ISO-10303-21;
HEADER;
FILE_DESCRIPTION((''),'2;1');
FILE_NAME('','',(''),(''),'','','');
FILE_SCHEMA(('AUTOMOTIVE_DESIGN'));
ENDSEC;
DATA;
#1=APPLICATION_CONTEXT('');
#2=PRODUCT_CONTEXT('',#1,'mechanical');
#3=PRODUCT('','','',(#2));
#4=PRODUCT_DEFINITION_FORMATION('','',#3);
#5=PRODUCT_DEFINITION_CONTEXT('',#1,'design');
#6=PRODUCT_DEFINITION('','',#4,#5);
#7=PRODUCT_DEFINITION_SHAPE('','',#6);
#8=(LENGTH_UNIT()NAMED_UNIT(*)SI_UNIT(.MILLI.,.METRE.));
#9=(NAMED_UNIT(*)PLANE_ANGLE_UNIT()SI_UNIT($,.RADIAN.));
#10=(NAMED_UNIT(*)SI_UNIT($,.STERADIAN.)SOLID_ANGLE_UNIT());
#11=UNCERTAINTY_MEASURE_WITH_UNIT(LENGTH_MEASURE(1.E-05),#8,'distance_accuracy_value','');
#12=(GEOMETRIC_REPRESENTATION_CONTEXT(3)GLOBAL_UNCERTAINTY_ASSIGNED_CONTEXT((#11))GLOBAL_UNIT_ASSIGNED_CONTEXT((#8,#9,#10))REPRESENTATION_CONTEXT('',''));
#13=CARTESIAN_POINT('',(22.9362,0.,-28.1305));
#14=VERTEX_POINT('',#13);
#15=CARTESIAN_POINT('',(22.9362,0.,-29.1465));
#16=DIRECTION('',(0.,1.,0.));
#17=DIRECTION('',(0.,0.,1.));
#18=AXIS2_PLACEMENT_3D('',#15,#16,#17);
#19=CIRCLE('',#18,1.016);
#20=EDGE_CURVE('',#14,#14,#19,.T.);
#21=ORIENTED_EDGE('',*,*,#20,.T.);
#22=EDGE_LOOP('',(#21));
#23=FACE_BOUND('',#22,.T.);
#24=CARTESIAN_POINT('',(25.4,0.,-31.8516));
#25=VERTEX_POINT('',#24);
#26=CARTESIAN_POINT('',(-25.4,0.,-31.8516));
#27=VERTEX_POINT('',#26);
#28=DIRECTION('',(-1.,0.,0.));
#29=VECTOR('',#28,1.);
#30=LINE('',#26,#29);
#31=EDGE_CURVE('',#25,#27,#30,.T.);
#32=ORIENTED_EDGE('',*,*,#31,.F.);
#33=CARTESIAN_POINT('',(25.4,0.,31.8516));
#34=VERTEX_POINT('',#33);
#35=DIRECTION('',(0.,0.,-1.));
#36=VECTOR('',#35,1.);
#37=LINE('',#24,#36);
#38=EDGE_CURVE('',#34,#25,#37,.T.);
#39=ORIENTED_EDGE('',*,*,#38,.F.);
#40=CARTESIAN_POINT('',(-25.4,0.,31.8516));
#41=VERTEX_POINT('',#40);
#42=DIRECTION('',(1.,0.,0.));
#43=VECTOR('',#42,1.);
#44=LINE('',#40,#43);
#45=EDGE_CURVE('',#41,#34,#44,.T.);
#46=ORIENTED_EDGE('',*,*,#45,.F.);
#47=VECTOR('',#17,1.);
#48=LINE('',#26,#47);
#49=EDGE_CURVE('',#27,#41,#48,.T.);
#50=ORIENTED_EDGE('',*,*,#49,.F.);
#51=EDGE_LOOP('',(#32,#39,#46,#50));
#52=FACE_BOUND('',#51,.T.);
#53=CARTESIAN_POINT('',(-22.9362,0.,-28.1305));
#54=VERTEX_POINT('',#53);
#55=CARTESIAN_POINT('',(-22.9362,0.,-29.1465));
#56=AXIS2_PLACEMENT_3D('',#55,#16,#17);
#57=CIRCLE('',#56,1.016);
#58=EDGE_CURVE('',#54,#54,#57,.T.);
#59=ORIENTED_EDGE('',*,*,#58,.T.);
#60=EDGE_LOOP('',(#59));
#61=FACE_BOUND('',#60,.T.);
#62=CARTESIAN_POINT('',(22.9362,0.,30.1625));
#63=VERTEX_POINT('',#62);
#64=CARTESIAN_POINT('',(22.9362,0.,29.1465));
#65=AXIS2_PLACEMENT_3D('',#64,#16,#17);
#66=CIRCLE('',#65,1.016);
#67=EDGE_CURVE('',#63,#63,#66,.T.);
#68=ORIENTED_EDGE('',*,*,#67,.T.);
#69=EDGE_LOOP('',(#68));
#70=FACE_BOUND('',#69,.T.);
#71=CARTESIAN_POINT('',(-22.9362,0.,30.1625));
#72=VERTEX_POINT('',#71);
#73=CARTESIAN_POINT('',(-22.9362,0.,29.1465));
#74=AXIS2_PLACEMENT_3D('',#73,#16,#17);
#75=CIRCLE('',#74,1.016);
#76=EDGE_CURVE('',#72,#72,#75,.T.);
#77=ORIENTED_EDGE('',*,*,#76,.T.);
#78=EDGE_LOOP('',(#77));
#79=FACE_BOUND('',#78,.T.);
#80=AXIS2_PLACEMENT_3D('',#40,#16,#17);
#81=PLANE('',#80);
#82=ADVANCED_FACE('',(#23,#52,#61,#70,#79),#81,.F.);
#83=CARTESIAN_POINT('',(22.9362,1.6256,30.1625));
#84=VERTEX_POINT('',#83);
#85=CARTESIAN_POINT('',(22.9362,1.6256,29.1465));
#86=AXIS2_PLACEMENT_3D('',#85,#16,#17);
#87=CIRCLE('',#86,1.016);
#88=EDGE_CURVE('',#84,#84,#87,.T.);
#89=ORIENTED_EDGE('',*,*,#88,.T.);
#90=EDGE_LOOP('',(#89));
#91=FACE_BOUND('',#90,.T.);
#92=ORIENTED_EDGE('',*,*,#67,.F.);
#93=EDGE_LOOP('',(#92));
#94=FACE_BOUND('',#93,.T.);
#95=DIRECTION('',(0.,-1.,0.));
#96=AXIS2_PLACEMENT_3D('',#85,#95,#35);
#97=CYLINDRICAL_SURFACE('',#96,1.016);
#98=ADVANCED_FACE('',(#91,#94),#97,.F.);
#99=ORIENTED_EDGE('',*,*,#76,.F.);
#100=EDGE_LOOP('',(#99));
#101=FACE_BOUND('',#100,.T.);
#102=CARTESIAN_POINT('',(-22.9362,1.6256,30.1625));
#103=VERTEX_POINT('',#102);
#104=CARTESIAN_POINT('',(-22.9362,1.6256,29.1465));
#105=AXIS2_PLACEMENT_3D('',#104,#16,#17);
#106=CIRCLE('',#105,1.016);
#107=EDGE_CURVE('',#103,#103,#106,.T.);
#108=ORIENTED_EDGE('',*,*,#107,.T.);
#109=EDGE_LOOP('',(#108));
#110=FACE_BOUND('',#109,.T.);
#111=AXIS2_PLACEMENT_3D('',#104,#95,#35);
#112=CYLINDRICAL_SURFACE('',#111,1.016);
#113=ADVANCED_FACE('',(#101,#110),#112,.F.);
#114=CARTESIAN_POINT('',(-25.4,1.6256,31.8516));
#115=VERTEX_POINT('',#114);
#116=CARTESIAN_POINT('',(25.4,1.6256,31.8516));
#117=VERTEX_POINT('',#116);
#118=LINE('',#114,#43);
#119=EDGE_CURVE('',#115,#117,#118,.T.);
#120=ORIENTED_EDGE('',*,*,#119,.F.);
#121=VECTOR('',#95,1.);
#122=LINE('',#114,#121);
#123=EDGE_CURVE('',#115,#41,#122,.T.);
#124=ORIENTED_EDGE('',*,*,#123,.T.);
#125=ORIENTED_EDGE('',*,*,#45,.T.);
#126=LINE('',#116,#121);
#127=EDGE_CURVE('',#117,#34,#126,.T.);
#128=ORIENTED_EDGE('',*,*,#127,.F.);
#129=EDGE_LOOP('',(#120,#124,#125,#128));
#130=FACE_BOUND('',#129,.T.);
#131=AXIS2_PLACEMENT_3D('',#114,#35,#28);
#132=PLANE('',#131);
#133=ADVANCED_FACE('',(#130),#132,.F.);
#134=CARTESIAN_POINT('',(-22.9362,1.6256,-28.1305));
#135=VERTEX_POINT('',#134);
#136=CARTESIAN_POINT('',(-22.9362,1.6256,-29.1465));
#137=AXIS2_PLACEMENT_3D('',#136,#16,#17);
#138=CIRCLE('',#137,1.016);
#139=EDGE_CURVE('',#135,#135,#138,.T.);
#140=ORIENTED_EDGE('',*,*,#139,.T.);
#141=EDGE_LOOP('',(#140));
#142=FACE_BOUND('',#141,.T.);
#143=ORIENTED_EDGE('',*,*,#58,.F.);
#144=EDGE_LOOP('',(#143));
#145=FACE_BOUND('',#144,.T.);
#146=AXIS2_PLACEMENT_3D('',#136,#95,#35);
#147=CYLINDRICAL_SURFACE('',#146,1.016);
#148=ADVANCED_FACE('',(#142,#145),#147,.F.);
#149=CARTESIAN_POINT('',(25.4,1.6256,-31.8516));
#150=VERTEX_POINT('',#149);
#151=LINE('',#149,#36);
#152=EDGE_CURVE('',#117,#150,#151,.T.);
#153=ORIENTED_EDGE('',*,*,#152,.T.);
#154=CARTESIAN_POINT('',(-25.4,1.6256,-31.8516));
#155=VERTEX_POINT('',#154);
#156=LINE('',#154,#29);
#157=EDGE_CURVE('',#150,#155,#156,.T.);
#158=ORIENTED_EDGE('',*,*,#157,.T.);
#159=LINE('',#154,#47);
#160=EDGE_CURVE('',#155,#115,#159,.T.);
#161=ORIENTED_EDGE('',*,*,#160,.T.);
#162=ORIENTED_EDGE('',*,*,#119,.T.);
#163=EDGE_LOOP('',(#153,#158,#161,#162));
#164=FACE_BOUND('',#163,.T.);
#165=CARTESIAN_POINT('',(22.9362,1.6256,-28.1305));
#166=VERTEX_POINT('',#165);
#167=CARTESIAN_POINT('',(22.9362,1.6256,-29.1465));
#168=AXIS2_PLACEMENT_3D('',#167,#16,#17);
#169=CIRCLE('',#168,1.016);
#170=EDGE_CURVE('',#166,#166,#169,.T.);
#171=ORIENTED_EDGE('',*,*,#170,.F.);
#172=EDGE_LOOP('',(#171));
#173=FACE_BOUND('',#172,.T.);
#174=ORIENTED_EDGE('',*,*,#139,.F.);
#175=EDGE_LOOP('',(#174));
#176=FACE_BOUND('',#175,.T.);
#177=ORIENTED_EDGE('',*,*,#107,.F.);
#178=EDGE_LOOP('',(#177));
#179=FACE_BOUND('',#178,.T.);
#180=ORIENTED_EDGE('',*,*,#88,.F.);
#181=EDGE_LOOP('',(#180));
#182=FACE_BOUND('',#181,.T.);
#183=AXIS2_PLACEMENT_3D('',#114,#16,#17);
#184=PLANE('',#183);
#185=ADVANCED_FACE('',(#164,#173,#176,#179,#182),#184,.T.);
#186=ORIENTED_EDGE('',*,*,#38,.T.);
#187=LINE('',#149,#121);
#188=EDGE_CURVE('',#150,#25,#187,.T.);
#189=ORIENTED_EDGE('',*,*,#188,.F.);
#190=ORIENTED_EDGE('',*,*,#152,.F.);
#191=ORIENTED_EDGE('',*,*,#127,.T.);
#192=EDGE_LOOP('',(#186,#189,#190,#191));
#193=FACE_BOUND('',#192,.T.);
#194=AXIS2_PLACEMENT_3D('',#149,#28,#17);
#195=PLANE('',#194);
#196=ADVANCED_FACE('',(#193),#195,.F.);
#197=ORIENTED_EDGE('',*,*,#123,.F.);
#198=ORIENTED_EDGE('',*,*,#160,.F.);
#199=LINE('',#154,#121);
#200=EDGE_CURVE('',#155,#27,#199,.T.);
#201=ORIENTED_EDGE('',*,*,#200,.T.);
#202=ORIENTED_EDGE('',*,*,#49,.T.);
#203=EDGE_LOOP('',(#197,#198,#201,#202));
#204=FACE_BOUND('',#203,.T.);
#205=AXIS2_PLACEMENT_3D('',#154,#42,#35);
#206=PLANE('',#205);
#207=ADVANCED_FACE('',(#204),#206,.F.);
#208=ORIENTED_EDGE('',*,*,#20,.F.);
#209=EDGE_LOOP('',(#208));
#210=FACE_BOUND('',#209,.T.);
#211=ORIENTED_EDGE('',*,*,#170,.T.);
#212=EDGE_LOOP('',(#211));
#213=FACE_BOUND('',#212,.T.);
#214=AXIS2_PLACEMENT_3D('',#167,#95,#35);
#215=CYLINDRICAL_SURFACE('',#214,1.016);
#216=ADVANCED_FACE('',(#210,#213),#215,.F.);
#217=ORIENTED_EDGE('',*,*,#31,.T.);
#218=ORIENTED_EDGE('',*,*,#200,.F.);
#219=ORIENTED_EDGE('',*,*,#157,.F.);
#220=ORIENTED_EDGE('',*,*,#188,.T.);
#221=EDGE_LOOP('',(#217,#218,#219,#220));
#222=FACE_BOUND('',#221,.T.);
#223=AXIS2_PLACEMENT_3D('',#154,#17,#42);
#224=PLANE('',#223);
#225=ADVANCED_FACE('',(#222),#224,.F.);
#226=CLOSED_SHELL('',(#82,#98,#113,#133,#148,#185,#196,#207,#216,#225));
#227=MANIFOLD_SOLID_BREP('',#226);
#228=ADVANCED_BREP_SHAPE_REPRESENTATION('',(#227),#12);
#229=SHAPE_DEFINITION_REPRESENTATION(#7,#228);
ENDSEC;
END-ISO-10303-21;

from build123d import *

# Parameters (mm, degrees)
SKETCH1_W           = 50.8
SKETCH1_H           = 63.7032
SKETCH1_R           = 1.016
BOSS_EXTRUDE1_DEPTH = 1.6256


with BuildPart() as part:
    # Sketch1 → Boss-Extrude1 (new body)
    with BuildSketch(Plane(origin=(0, 0, 0), x_dir=(1, 0, 0), z_dir=(0, 1, 0))):
        Rectangle(SKETCH1_W, SKETCH1_H)
        with Locations(Location((-22.9362, 29.1465, 0), (0, 0, 270))):
            Circle(SKETCH1_R, mode=Mode.SUBTRACT)
        with Locations(Location((22.9362, 29.1465, 0), (0, 0, 270))):
            Circle(SKETCH1_R, mode=Mode.SUBTRACT)
        with Locations(Location((22.9362, -29.1465, 0), (0, 0, 270))):
            Circle(SKETCH1_R, mode=Mode.SUBTRACT)
        with Locations(Location((-22.9362, -29.1465, 0), (0, 0, 270))):
            Circle(SKETCH1_R, mode=Mode.SUBTRACT)
    extrude(amount=BOSS_EXTRUDE1_DEPTH)


solid = part.part
